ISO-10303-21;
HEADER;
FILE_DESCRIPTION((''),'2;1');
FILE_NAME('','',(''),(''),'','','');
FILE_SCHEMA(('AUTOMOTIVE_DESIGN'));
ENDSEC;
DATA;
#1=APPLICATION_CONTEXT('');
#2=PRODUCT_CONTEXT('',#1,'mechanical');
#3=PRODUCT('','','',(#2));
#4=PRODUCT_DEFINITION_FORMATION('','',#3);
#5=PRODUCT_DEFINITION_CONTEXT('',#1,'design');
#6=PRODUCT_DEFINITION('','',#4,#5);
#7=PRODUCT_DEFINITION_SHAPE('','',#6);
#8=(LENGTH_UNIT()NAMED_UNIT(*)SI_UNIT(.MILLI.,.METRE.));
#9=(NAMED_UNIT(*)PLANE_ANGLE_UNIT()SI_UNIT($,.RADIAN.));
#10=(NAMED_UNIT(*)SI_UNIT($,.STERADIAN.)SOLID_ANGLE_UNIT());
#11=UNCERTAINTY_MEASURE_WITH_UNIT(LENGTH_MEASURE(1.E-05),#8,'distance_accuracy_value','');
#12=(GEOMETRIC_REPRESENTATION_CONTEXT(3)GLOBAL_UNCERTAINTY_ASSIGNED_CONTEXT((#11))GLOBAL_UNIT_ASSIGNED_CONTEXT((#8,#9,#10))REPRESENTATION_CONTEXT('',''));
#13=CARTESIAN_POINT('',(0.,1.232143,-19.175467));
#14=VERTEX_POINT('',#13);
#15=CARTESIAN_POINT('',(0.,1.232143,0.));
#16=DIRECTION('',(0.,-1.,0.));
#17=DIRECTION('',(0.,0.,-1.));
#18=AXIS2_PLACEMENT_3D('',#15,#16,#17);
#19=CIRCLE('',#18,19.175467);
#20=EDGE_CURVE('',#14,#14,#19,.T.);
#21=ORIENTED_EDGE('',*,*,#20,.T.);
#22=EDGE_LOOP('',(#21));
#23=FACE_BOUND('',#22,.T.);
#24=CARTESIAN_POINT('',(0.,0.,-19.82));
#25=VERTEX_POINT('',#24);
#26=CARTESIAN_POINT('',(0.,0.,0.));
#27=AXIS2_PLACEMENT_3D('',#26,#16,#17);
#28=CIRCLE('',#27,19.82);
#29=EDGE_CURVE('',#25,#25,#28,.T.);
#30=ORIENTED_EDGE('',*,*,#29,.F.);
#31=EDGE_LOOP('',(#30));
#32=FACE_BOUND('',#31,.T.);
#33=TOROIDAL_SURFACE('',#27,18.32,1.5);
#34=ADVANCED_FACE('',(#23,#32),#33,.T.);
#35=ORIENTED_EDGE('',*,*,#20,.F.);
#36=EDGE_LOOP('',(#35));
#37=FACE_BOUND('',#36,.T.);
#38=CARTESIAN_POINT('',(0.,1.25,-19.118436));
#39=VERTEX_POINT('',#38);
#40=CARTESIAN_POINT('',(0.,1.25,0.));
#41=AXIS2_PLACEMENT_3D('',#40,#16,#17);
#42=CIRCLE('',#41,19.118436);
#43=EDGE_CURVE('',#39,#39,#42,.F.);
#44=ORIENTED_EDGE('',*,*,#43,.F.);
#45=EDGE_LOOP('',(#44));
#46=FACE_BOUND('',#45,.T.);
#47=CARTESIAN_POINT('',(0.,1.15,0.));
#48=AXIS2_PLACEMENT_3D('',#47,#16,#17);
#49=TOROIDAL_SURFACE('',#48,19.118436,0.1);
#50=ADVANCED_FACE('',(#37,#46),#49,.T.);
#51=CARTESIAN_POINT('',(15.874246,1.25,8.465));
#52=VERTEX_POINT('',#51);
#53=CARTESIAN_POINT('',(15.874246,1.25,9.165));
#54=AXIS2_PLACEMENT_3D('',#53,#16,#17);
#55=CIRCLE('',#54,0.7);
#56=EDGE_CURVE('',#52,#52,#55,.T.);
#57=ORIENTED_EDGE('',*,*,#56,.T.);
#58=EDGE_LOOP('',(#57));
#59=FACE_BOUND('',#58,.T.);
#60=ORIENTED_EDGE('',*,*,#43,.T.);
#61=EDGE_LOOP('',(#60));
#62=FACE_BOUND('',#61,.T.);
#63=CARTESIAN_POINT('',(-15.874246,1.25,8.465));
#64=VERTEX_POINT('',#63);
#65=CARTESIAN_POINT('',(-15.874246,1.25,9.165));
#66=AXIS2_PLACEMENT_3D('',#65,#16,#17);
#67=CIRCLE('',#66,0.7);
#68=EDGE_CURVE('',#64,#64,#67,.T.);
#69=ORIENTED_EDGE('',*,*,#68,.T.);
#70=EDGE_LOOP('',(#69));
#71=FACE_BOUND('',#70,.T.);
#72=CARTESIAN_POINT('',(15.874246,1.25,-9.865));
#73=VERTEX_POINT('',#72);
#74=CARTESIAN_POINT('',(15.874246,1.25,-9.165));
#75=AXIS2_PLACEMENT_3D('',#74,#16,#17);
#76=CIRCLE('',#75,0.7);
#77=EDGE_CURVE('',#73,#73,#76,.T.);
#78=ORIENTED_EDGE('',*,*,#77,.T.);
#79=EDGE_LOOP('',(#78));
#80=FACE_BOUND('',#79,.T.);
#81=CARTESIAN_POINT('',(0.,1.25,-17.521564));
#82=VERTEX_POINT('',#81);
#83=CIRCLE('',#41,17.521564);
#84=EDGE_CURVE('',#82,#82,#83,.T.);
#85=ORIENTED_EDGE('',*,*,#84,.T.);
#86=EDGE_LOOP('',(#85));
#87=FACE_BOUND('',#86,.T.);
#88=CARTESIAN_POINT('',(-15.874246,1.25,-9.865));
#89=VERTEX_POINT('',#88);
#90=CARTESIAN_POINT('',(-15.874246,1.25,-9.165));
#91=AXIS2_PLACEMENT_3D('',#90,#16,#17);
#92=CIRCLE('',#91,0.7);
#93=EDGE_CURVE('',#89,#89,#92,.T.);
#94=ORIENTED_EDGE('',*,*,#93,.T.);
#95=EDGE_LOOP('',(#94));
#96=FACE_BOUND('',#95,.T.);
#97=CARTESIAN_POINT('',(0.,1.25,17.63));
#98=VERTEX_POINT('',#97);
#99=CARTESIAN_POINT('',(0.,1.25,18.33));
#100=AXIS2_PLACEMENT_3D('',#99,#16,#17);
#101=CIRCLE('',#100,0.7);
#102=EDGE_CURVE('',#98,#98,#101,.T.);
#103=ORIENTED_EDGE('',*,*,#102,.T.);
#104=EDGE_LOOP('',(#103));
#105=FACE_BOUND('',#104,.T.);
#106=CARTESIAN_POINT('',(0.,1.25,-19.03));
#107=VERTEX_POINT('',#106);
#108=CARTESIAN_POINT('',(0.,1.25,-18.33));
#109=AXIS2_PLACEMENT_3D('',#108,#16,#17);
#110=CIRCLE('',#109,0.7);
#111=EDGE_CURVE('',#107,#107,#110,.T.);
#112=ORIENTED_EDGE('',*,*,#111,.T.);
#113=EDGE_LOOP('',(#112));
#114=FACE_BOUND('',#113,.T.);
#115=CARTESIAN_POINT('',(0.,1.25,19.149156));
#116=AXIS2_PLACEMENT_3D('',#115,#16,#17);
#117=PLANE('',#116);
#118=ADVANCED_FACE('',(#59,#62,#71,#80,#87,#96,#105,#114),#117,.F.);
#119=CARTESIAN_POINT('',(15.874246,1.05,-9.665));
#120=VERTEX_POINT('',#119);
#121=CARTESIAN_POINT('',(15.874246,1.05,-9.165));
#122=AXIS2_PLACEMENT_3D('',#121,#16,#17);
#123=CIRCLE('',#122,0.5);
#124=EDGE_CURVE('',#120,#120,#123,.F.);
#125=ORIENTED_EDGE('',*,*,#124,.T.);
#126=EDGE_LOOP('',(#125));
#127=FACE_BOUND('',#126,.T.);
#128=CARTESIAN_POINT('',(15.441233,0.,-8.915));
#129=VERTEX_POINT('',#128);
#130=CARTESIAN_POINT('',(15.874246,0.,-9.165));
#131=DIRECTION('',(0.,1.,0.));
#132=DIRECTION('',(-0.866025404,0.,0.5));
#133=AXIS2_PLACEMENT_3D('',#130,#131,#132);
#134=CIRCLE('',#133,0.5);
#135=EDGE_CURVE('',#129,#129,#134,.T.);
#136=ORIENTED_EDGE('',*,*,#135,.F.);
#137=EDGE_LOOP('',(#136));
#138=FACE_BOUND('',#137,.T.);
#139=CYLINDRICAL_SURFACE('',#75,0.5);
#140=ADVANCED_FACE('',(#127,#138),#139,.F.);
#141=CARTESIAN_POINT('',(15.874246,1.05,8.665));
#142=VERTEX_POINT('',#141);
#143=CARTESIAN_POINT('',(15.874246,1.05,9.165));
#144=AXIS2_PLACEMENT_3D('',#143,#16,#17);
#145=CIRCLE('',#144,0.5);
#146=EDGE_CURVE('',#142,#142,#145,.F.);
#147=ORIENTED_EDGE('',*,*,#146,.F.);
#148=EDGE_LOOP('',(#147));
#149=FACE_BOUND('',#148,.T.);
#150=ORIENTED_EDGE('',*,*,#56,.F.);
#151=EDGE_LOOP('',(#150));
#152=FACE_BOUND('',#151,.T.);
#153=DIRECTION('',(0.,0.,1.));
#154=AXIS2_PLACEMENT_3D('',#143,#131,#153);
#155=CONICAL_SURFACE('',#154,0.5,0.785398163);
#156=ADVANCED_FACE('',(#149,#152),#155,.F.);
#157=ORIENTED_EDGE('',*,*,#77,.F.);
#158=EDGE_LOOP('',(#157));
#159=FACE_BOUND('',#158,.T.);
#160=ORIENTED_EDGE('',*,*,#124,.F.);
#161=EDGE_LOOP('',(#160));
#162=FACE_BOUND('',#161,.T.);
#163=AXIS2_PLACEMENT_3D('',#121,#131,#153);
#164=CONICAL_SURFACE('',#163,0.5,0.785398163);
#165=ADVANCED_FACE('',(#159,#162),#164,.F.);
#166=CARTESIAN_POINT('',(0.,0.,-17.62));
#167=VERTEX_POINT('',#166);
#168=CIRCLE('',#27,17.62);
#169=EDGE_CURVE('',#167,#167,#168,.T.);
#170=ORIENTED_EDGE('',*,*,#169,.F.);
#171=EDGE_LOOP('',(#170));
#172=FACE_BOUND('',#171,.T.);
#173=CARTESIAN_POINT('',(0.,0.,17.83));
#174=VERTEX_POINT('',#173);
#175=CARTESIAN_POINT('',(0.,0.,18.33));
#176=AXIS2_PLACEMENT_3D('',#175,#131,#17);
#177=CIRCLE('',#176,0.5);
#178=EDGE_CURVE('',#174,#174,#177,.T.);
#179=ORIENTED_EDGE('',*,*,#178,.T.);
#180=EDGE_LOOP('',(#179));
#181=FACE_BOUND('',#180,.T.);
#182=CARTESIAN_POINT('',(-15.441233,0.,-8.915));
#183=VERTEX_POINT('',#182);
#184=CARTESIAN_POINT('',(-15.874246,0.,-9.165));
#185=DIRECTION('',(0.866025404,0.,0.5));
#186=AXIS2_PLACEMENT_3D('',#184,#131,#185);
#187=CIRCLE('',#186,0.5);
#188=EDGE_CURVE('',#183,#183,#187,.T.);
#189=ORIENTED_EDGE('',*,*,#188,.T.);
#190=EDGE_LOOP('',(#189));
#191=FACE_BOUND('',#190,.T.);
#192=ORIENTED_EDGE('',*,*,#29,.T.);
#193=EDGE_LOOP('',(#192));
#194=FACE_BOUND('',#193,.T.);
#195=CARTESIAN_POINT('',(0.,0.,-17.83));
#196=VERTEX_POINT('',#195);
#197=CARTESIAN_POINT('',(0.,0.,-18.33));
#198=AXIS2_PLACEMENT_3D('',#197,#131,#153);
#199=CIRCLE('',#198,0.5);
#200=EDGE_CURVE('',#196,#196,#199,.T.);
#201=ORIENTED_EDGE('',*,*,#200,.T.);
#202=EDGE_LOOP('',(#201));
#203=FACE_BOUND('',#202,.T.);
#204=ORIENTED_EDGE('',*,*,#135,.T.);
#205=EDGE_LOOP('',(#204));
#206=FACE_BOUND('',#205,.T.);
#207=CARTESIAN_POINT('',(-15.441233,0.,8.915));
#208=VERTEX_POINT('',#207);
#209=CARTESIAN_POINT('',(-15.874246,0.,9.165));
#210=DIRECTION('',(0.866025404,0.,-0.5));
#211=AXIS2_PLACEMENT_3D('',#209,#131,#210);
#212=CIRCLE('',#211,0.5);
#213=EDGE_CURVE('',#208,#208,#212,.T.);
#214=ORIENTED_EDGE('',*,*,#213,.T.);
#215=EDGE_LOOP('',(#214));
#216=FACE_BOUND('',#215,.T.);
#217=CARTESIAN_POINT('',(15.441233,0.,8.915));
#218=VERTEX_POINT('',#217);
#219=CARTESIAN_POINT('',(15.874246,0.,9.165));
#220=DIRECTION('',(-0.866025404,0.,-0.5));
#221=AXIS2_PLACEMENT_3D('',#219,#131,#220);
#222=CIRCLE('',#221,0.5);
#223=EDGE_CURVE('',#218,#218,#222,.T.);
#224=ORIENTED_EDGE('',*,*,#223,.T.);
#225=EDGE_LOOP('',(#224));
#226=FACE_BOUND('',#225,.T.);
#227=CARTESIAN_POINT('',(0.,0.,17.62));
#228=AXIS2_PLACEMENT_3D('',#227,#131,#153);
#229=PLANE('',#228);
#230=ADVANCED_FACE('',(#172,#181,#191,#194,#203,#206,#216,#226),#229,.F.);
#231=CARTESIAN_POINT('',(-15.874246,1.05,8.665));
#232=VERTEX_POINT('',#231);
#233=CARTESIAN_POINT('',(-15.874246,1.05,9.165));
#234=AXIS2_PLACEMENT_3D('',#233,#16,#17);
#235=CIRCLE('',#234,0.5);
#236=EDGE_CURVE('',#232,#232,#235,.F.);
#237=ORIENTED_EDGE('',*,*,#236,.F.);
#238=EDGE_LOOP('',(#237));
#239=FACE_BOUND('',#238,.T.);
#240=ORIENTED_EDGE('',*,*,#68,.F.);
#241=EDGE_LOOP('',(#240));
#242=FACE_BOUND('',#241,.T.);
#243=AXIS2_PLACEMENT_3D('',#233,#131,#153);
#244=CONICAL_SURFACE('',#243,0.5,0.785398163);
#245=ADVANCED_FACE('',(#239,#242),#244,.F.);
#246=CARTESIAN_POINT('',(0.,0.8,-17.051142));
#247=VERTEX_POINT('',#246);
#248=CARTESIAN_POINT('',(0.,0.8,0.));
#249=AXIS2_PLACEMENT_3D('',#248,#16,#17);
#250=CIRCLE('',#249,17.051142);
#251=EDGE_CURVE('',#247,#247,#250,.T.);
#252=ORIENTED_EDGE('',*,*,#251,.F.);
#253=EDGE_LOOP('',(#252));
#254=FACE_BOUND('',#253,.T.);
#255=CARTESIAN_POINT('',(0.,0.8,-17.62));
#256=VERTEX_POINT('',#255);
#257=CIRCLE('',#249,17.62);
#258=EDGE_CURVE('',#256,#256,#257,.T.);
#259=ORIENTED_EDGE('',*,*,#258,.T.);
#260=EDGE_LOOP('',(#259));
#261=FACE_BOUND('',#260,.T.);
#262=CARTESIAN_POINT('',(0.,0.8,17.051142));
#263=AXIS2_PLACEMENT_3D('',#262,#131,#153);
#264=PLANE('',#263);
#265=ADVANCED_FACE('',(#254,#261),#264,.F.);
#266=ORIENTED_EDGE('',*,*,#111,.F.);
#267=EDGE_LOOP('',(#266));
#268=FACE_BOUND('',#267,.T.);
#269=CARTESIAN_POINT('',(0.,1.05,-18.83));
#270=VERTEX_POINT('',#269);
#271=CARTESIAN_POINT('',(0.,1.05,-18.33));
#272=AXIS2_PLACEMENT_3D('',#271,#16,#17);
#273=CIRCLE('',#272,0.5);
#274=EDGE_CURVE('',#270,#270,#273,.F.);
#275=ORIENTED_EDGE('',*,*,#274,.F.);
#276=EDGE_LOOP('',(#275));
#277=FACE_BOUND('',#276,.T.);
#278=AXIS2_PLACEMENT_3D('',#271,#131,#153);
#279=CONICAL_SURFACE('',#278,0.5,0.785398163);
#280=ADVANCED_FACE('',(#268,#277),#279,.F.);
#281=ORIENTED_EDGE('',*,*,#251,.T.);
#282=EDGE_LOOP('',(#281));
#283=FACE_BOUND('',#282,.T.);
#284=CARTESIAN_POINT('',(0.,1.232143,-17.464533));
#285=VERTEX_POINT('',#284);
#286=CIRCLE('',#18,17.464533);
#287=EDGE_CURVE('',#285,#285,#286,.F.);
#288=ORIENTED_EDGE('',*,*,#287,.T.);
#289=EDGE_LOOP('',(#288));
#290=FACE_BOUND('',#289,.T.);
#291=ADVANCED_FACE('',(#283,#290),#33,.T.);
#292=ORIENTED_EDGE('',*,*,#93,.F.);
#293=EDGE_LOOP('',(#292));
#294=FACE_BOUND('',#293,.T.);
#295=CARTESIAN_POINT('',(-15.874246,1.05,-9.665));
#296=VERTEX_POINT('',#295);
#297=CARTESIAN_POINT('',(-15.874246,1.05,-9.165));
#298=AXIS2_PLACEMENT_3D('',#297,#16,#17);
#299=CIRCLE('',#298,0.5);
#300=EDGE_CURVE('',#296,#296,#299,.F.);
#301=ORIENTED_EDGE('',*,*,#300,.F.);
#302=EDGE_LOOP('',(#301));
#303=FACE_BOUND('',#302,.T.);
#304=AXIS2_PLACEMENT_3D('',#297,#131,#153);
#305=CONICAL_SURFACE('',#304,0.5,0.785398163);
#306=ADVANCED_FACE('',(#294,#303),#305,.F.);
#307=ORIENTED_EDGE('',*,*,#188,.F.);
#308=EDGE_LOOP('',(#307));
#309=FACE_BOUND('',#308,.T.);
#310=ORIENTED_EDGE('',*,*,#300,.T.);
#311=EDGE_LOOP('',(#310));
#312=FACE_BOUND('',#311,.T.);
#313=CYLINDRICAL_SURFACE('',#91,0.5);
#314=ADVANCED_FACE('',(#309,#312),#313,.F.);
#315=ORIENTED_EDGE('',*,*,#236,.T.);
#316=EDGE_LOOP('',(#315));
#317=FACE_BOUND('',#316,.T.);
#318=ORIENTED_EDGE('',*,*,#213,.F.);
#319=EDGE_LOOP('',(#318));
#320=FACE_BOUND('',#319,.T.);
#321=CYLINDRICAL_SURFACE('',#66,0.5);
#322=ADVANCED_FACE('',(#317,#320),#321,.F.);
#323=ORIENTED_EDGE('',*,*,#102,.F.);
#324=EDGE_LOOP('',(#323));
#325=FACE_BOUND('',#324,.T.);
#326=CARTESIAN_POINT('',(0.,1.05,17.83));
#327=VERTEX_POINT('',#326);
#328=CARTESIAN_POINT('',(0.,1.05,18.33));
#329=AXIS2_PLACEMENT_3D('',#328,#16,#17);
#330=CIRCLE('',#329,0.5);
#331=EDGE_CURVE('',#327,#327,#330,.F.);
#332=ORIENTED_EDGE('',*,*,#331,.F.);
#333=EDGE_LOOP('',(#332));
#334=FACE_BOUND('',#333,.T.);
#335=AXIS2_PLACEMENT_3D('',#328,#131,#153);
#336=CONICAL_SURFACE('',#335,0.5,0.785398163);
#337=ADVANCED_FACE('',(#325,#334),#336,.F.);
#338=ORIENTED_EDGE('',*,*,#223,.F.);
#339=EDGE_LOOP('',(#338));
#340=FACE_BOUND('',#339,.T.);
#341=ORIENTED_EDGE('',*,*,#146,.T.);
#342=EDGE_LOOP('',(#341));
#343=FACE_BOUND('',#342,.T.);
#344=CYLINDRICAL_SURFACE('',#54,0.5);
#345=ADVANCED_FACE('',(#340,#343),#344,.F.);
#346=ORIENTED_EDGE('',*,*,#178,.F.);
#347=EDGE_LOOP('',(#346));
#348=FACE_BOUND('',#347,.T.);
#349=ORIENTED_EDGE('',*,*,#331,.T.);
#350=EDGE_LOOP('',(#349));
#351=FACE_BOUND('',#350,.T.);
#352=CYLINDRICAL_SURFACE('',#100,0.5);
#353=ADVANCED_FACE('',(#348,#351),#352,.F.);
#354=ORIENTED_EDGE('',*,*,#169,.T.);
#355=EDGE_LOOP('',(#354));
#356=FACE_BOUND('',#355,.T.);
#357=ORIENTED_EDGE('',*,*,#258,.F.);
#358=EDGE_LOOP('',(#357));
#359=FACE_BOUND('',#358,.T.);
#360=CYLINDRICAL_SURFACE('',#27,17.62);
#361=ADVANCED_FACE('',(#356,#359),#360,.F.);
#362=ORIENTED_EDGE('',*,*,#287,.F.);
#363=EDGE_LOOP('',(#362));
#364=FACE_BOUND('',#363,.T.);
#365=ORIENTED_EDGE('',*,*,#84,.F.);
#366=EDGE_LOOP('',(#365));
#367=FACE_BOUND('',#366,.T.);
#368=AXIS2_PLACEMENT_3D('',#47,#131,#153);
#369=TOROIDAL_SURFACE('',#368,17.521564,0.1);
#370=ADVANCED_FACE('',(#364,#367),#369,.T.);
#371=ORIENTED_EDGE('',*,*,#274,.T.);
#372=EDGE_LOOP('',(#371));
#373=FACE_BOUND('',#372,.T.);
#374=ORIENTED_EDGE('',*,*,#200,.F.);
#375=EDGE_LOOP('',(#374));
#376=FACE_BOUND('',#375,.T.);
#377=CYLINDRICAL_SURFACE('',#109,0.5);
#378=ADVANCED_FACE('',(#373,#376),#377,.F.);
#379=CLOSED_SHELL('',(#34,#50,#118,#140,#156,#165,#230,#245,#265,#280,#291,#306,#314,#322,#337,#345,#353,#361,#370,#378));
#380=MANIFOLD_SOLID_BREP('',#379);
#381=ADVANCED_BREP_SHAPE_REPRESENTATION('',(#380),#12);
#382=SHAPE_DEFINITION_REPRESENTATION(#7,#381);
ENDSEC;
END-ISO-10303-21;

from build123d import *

# Parameters (mm, degrees)
ESQUISSE3_R                               = 0.5
ENL_V_MAT_EXTRU_1_DEPTH                   = 2.25
CHANFREIN1_SIZE                           = 0.2
R_P_TITION_CIRCULAIRE1_COUNT              = 6
CHANFREIN1_OF_R_P_TITION_CIRCULAIRE1_SIZE = 0.2
CONG_1_R                                  = 0.1


with BuildPart() as part:
    # Esquisse1 → Révolution1 (revolve)
    with BuildSketch(Plane(origin=(0, 0, 0), x_dir=(0, 0, -1), z_dir=(1, 0, 0))):
        with BuildLine():
            Line((-17.62, 0), (-19.82, 0))
            ThreePointArc((-19.82, 0), (-19.641691018, 0.709318583), (-19.149156198, 1.25))
            Line((-19.149156198, 1.25), (-17.490843802, 1.25))
            ThreePointArc((-17.490843802, 1.25), (-17.247134382, 1.048312627), (-17.051142246, 0.8))
            Line((-17.051142246, 0.8), (-17.62, 0.8))
            Line((-17.62, 0.8), (-17.62, 0))
        make_face()
    revolve(axis=Axis((0, 0, 0), (0, 1, 0)))

    # Esquisse3 → Enlèv. mat.-Extru.1 (cut, through all)
    with BuildSketch(Plane(origin=(0, 0, 0), x_dir=(1, 0, 0), z_dir=(0, 1, 0))):
        with Locations((0, 18.33)):
            Circle(ESQUISSE3_R)
    enl_v_mat_extru_1 = extrude(amount=ENL_V_MAT_EXTRU_1_DEPTH, mode=Mode.SUBTRACT)

    # Chanfrein1
    chanfrein1_edges = [part.edges().sort_by_distance(p)[0] for p in [
        (-0.5, 1.25, -18.33),
    ]]
    chamfer(chanfrein1_edges, length=CHANFREIN1_SIZE)

    # Répétition circulaire1: Enlèv. mat.-Extru.1 ×6 about axis
    r_p_tition_circulaire1_axis = Axis((0, 0, 0), (0, 1, 0))
    for i in range(1, R_P_TITION_CIRCULAIRE1_COUNT):
        add(enl_v_mat_extru_1.rotate(r_p_tition_circulaire1_axis, i * 360 / R_P_TITION_CIRCULAIRE1_COUNT), mode=Mode.SUBTRACT)

    # Chanfrein1 of Répétition circulaire1
    chanfrein1_of_r_p_tition_circulaire1_edges = [part.edges().sort_by_distance(p)[0] for p in [
        (-16.124245651, 1.25, -8.731987298),
        (-15.624245651, 1.25, 9.598012702),
        (0.5, 1.25, 18.33),
        (16.124245651, 1.25, 8.731987298),
        (15.624245651, 1.25, -9.598012702),
    ]]
    chamfer(chanfrein1_of_r_p_tition_circulaire1_edges, length=CHANFREIN1_OF_R_P_TITION_CIRCULAIRE1_SIZE)

    # Congé1
    cong_1_edges = [part.edges().sort_by_distance(p)[0] for p in [
        (0, 1.25, -19.149156198),
        (0, 1.25, -17.490843802),
    ]]
    fillet(cong_1_edges, radius=CONG_1_R)


solid = part.part
